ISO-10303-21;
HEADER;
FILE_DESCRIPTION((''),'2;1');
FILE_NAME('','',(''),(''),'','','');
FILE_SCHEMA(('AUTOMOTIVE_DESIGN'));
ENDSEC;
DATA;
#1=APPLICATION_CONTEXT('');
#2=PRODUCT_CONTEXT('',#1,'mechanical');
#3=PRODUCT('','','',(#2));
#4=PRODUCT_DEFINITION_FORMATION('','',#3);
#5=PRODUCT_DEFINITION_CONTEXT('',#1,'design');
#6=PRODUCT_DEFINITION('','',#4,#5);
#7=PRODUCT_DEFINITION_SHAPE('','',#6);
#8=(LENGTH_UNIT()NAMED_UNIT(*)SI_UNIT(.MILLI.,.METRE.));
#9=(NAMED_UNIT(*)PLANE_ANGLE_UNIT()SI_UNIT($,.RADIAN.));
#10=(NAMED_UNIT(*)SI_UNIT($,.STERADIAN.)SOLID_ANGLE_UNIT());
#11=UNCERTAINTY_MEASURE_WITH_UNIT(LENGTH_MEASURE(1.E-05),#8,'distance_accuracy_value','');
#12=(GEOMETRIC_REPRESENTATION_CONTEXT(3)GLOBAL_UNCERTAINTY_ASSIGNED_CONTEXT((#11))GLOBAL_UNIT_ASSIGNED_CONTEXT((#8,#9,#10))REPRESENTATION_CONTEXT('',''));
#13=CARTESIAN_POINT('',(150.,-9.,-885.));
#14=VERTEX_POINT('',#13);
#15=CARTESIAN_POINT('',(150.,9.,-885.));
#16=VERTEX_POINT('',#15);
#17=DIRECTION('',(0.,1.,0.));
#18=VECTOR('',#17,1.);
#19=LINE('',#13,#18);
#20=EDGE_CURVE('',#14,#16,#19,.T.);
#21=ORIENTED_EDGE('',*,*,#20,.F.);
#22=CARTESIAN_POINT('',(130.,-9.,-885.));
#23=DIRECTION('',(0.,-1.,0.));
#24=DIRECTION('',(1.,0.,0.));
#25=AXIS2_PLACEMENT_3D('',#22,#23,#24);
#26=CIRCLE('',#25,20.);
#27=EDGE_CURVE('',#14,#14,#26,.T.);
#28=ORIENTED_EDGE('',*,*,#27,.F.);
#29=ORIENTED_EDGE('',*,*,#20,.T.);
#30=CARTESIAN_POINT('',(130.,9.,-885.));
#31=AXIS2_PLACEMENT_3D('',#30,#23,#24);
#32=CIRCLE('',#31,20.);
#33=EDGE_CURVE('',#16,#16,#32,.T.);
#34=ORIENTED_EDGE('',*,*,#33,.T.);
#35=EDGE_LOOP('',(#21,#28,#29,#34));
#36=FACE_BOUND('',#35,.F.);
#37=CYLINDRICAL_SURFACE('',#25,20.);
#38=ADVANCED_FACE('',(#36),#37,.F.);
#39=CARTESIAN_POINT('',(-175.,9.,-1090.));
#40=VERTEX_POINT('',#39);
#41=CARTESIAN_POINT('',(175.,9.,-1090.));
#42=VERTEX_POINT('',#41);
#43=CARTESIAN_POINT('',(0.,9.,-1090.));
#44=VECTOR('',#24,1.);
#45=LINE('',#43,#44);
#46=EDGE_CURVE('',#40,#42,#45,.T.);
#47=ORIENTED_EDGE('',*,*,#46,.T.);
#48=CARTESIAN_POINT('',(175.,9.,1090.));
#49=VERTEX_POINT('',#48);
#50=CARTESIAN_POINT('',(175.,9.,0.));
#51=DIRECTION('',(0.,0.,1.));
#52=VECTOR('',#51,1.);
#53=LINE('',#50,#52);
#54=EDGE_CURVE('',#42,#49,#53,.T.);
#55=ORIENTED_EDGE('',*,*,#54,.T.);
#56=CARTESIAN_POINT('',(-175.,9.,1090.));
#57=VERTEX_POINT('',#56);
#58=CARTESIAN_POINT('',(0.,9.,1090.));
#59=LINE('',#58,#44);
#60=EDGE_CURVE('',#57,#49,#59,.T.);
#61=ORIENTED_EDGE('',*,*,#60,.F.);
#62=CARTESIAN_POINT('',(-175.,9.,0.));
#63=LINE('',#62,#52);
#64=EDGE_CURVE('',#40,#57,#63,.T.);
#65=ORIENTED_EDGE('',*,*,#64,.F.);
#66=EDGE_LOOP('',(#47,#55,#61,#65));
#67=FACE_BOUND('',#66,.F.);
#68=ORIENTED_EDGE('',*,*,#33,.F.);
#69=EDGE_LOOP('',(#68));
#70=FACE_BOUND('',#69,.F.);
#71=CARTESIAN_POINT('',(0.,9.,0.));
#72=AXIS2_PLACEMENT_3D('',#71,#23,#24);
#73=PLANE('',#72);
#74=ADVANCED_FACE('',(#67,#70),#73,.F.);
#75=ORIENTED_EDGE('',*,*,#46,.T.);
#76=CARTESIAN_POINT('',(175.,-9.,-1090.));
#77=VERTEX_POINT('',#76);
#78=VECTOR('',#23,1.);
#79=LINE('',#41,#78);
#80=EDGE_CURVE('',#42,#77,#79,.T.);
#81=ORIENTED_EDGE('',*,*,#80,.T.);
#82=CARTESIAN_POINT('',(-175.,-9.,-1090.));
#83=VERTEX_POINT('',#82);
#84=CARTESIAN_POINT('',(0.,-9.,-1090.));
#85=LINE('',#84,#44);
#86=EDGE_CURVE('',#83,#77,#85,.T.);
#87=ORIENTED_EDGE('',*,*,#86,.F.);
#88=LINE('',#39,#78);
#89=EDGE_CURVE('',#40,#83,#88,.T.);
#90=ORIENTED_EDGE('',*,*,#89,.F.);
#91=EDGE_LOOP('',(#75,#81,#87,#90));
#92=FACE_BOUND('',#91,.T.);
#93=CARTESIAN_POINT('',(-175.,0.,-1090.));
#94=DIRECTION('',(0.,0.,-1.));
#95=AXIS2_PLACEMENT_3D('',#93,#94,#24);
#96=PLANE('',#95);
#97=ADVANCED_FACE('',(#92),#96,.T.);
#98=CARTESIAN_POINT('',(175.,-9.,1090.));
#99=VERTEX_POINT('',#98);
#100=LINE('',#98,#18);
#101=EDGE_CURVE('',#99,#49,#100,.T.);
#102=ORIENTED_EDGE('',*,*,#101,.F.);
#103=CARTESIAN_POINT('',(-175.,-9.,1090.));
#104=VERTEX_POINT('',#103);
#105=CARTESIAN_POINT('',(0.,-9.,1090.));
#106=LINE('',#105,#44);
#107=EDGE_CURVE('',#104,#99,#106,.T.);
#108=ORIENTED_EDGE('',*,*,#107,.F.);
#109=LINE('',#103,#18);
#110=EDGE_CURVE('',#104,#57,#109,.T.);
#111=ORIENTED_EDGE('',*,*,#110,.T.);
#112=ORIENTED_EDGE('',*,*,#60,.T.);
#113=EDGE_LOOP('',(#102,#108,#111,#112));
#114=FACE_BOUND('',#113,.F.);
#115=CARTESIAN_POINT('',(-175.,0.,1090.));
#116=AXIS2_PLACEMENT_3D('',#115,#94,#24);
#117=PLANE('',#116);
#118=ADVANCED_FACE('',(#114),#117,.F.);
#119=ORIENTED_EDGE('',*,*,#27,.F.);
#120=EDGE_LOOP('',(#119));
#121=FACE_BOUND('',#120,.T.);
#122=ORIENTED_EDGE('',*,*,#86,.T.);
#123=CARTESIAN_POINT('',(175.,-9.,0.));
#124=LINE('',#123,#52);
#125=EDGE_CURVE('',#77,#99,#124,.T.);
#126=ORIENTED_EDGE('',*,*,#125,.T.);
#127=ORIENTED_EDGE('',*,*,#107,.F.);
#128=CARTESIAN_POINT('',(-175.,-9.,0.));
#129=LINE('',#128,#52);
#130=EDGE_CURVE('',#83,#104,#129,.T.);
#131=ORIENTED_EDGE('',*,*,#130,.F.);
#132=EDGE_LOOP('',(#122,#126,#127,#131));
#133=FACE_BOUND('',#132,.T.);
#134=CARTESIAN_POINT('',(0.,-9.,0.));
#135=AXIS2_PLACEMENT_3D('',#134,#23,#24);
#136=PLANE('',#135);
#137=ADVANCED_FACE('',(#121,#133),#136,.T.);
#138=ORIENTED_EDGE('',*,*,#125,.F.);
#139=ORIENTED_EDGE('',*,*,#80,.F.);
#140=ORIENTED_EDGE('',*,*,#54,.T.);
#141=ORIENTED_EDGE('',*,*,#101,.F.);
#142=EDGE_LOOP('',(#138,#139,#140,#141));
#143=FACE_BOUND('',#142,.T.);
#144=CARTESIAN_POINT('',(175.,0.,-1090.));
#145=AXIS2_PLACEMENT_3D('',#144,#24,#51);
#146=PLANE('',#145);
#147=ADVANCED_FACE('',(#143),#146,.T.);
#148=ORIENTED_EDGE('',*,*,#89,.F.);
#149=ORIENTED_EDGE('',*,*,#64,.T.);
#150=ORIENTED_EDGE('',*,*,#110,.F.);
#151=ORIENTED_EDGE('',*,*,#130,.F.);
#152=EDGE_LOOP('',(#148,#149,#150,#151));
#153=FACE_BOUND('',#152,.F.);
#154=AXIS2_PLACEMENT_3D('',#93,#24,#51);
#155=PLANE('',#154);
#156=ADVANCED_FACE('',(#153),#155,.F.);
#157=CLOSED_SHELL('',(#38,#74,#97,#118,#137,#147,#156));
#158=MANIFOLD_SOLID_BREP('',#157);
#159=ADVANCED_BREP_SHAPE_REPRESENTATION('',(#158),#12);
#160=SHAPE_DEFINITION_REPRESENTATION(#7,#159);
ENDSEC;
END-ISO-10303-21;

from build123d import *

# Parameters (mm, degrees)
F0_W     = 350
F0_H     = 2180
F1_DEPTH = 9
F2_R     = 20
F3_DEPTH = 25


with BuildPart() as f1:
    # F0 (on Front) → F1 (new body, symmetric)
    with BuildSketch(Plane.XZ):
        Rectangle(F0_W, F0_H)
    extrude(amount=F1_DEPTH, both=True)

    # F2 (on face) → F3 (cut)
    with BuildSketch(Plane.XZ.offset(9)):
        with Locations((130, -885)):
            Circle(F2_R)
    extrude(amount=-F3_DEPTH, mode=Mode.SUBTRACT)


solid = f1.part
